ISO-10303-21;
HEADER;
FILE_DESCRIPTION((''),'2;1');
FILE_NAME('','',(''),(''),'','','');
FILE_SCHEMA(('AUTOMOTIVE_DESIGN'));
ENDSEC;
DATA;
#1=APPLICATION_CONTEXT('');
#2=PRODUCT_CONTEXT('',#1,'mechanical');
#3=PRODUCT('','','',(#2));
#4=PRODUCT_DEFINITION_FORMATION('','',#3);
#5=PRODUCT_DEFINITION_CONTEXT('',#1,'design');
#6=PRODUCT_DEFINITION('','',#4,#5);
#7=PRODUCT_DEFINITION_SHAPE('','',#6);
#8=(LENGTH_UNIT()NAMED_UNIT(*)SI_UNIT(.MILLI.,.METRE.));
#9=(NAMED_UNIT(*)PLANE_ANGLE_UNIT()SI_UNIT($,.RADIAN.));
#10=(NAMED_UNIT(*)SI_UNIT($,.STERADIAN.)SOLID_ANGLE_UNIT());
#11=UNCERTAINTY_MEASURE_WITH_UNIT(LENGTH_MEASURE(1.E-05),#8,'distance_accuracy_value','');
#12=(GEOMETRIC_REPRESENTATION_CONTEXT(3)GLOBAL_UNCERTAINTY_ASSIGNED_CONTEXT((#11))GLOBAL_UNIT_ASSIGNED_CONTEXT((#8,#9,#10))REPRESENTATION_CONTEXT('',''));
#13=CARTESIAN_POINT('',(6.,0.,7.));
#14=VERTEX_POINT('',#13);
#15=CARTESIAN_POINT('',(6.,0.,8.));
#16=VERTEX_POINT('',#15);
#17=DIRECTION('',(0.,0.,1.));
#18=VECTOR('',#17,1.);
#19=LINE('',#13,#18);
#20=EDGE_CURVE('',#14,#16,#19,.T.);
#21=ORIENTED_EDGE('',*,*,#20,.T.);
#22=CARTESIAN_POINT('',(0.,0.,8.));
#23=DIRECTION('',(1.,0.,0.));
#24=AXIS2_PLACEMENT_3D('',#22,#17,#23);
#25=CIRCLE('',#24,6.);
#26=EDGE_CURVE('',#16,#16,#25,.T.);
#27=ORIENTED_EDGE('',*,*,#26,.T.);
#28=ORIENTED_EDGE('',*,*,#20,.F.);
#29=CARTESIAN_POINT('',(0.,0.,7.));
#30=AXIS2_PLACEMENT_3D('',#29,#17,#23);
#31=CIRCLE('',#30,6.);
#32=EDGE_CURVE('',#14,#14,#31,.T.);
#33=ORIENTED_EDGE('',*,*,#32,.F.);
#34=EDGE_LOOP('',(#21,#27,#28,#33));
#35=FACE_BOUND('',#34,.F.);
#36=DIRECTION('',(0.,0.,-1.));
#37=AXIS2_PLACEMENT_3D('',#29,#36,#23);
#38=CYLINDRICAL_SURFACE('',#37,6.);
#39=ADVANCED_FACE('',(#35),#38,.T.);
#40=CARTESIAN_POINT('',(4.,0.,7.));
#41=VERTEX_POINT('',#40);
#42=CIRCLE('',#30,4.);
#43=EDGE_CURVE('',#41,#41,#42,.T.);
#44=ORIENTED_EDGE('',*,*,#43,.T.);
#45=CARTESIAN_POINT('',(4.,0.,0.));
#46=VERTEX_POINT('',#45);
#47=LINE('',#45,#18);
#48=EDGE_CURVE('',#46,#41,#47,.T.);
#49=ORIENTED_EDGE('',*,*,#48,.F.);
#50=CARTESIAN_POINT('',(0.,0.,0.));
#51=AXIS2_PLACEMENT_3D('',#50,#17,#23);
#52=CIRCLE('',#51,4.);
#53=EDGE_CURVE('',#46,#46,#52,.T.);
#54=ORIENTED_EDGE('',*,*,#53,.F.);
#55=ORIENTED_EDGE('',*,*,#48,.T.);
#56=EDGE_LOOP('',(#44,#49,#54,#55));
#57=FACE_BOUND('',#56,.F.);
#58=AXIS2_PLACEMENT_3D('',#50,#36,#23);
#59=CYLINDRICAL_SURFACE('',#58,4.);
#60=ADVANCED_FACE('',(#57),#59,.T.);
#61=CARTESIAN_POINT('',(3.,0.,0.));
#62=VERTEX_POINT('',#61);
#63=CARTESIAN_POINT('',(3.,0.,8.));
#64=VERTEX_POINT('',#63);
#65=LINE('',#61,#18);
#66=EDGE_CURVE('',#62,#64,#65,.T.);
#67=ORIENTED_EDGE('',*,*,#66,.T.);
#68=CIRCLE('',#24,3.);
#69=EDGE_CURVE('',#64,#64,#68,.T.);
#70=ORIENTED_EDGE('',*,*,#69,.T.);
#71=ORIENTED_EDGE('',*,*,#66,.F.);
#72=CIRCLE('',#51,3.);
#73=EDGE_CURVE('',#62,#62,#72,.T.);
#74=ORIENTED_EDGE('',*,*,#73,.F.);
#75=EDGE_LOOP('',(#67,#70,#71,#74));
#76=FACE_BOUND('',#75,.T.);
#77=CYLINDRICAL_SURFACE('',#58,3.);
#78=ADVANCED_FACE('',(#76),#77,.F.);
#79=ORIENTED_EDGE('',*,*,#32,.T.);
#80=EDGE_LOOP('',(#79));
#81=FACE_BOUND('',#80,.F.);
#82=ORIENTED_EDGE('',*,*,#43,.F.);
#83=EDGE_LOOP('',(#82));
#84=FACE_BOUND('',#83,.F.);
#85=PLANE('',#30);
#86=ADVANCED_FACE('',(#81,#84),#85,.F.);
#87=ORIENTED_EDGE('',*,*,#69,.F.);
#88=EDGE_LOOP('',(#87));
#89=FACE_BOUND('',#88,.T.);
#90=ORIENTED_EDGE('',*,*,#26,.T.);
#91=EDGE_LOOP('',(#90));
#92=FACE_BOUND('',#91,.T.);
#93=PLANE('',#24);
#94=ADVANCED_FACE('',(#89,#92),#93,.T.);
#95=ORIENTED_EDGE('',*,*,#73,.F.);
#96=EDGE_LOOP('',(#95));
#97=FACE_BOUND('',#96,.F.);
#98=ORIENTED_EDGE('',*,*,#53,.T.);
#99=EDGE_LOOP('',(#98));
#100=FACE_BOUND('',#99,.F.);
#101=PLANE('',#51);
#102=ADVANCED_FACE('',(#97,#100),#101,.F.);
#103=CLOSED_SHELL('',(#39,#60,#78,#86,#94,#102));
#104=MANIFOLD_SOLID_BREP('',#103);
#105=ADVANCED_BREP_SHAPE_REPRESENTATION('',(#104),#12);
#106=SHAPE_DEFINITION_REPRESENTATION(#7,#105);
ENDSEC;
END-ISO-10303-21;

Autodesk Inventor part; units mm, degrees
ref_plane "YZ Plane" through (0, 0, 0) normal (1, 0, 0) x (0, 1, 0)
ref_plane "XZ Plane" through (0, 0, 0) normal (0, 1, 0) x (-1, 0, 0)
ref_plane "XY Plane" through (0, 0, 0) normal (0, 0, 1) x (1, 0, 0)
sketch "Sketch1" plane through (0, 0, 0) normal (0, 0, 1) x (1, 0, 0)
  circle A0 centre (0, 0) radius 3
  circle A1 centre (0, 0) radius 4
  dimension "d0" = 6
  dimension "d1" = 8
extrude "Extrusion1" add sketch "Sketch1" along normal blind 7
sketch "Sketch2" plane through (0, 0, 7) normal (0, 0, 1) x (1, 0, 0)
  circle A0 centre (0, 0) radius 3 projected
  circle A1 centre (0, 0) radius 4 projected
  circle A2 centre (0, 0) radius 3
  circle A3 centre (0, 0) radius 6
  dimension "d4" = 12
extrude "Extrusion2" add sketch "Sketch2" along normal blind 1 contours A1 | A3
properties part number "H4FM_0608_08"
